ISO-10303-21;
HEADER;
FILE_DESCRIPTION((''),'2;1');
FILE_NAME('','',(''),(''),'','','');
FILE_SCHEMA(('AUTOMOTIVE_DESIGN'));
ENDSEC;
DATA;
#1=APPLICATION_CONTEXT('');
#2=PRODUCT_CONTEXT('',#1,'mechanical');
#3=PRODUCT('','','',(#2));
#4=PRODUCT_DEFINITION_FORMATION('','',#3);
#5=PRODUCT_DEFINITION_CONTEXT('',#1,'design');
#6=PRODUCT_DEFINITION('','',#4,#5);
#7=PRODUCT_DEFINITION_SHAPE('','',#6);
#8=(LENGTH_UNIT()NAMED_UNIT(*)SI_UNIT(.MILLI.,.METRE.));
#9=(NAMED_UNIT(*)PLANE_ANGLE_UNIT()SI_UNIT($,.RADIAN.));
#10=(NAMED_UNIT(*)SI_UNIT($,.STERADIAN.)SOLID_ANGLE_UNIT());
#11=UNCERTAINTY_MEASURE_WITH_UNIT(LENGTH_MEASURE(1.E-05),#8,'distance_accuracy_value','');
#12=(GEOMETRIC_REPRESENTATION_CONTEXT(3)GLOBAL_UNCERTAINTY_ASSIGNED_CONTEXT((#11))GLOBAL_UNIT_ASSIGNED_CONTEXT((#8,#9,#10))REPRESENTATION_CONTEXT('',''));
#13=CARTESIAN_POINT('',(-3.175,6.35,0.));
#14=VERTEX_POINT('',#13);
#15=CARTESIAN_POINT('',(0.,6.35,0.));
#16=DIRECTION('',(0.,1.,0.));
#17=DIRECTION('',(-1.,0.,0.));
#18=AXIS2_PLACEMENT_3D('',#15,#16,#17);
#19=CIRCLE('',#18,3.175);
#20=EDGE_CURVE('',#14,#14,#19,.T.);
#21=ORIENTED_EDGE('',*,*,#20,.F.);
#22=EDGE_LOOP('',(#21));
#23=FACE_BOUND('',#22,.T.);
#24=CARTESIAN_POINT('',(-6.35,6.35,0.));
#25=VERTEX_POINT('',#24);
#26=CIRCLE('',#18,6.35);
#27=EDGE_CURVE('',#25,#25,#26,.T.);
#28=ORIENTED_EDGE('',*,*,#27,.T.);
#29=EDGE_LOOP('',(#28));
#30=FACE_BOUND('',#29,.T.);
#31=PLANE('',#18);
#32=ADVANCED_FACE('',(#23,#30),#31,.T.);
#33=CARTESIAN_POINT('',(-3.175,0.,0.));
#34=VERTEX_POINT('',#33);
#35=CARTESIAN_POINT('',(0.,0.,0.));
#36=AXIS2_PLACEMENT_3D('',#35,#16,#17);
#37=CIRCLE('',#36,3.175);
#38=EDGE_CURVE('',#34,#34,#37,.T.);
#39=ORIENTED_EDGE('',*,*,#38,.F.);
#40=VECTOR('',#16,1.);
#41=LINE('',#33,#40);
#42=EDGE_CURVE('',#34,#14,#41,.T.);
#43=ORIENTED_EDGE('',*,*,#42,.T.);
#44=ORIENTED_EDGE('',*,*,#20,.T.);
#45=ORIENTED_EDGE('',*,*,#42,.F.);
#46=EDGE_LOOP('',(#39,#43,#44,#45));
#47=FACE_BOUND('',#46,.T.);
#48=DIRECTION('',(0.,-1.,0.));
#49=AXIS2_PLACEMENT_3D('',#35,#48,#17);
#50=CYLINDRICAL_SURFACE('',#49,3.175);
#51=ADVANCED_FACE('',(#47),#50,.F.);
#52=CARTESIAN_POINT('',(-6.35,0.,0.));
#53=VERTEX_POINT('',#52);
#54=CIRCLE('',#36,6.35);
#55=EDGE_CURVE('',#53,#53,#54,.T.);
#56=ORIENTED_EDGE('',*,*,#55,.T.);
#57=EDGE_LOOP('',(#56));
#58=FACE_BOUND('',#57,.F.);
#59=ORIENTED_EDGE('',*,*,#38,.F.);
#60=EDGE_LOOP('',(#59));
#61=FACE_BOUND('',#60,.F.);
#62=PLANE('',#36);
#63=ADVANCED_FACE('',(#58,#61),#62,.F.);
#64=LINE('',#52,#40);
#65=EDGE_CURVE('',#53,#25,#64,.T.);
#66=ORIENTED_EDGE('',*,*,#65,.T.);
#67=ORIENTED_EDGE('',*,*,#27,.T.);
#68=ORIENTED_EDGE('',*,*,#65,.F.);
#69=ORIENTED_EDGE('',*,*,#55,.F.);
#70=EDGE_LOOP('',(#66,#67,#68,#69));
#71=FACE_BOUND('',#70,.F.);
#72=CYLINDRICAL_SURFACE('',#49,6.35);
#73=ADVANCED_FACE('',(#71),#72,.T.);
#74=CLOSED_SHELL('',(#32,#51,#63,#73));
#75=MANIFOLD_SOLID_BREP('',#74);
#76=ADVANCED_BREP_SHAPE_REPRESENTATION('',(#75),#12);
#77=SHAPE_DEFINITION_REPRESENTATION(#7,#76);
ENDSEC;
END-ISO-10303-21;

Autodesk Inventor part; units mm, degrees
ref_plane "YZ Plane" through (0, 0, 0) normal (1, 0, 0) x (0, 1, 0)
ref_plane "XZ Plane" through (0, 0, 0) normal (0, 1, 0) x (-1, 0, 0)
ref_plane "XY Plane" through (0, 0, 0) normal (0, 0, 1) x (1, 0, 0)
sketch "Sketch1" plane through (0, 0, 0) normal (0, 1, 0) x (-1, 0, 0)
  circle A0 centre (0, 0) radius 6.35
  circle A1 centre (0, 0) radius 3.175
  dimension "d0" = 12.7
  dimension "d1" = 6.35
extrude "Extrusion1" add sketch "Sketch1" along normal blind 6.35
properties part number "Nylon spacer .25" material "Nylon, molybdenum disulphide"
